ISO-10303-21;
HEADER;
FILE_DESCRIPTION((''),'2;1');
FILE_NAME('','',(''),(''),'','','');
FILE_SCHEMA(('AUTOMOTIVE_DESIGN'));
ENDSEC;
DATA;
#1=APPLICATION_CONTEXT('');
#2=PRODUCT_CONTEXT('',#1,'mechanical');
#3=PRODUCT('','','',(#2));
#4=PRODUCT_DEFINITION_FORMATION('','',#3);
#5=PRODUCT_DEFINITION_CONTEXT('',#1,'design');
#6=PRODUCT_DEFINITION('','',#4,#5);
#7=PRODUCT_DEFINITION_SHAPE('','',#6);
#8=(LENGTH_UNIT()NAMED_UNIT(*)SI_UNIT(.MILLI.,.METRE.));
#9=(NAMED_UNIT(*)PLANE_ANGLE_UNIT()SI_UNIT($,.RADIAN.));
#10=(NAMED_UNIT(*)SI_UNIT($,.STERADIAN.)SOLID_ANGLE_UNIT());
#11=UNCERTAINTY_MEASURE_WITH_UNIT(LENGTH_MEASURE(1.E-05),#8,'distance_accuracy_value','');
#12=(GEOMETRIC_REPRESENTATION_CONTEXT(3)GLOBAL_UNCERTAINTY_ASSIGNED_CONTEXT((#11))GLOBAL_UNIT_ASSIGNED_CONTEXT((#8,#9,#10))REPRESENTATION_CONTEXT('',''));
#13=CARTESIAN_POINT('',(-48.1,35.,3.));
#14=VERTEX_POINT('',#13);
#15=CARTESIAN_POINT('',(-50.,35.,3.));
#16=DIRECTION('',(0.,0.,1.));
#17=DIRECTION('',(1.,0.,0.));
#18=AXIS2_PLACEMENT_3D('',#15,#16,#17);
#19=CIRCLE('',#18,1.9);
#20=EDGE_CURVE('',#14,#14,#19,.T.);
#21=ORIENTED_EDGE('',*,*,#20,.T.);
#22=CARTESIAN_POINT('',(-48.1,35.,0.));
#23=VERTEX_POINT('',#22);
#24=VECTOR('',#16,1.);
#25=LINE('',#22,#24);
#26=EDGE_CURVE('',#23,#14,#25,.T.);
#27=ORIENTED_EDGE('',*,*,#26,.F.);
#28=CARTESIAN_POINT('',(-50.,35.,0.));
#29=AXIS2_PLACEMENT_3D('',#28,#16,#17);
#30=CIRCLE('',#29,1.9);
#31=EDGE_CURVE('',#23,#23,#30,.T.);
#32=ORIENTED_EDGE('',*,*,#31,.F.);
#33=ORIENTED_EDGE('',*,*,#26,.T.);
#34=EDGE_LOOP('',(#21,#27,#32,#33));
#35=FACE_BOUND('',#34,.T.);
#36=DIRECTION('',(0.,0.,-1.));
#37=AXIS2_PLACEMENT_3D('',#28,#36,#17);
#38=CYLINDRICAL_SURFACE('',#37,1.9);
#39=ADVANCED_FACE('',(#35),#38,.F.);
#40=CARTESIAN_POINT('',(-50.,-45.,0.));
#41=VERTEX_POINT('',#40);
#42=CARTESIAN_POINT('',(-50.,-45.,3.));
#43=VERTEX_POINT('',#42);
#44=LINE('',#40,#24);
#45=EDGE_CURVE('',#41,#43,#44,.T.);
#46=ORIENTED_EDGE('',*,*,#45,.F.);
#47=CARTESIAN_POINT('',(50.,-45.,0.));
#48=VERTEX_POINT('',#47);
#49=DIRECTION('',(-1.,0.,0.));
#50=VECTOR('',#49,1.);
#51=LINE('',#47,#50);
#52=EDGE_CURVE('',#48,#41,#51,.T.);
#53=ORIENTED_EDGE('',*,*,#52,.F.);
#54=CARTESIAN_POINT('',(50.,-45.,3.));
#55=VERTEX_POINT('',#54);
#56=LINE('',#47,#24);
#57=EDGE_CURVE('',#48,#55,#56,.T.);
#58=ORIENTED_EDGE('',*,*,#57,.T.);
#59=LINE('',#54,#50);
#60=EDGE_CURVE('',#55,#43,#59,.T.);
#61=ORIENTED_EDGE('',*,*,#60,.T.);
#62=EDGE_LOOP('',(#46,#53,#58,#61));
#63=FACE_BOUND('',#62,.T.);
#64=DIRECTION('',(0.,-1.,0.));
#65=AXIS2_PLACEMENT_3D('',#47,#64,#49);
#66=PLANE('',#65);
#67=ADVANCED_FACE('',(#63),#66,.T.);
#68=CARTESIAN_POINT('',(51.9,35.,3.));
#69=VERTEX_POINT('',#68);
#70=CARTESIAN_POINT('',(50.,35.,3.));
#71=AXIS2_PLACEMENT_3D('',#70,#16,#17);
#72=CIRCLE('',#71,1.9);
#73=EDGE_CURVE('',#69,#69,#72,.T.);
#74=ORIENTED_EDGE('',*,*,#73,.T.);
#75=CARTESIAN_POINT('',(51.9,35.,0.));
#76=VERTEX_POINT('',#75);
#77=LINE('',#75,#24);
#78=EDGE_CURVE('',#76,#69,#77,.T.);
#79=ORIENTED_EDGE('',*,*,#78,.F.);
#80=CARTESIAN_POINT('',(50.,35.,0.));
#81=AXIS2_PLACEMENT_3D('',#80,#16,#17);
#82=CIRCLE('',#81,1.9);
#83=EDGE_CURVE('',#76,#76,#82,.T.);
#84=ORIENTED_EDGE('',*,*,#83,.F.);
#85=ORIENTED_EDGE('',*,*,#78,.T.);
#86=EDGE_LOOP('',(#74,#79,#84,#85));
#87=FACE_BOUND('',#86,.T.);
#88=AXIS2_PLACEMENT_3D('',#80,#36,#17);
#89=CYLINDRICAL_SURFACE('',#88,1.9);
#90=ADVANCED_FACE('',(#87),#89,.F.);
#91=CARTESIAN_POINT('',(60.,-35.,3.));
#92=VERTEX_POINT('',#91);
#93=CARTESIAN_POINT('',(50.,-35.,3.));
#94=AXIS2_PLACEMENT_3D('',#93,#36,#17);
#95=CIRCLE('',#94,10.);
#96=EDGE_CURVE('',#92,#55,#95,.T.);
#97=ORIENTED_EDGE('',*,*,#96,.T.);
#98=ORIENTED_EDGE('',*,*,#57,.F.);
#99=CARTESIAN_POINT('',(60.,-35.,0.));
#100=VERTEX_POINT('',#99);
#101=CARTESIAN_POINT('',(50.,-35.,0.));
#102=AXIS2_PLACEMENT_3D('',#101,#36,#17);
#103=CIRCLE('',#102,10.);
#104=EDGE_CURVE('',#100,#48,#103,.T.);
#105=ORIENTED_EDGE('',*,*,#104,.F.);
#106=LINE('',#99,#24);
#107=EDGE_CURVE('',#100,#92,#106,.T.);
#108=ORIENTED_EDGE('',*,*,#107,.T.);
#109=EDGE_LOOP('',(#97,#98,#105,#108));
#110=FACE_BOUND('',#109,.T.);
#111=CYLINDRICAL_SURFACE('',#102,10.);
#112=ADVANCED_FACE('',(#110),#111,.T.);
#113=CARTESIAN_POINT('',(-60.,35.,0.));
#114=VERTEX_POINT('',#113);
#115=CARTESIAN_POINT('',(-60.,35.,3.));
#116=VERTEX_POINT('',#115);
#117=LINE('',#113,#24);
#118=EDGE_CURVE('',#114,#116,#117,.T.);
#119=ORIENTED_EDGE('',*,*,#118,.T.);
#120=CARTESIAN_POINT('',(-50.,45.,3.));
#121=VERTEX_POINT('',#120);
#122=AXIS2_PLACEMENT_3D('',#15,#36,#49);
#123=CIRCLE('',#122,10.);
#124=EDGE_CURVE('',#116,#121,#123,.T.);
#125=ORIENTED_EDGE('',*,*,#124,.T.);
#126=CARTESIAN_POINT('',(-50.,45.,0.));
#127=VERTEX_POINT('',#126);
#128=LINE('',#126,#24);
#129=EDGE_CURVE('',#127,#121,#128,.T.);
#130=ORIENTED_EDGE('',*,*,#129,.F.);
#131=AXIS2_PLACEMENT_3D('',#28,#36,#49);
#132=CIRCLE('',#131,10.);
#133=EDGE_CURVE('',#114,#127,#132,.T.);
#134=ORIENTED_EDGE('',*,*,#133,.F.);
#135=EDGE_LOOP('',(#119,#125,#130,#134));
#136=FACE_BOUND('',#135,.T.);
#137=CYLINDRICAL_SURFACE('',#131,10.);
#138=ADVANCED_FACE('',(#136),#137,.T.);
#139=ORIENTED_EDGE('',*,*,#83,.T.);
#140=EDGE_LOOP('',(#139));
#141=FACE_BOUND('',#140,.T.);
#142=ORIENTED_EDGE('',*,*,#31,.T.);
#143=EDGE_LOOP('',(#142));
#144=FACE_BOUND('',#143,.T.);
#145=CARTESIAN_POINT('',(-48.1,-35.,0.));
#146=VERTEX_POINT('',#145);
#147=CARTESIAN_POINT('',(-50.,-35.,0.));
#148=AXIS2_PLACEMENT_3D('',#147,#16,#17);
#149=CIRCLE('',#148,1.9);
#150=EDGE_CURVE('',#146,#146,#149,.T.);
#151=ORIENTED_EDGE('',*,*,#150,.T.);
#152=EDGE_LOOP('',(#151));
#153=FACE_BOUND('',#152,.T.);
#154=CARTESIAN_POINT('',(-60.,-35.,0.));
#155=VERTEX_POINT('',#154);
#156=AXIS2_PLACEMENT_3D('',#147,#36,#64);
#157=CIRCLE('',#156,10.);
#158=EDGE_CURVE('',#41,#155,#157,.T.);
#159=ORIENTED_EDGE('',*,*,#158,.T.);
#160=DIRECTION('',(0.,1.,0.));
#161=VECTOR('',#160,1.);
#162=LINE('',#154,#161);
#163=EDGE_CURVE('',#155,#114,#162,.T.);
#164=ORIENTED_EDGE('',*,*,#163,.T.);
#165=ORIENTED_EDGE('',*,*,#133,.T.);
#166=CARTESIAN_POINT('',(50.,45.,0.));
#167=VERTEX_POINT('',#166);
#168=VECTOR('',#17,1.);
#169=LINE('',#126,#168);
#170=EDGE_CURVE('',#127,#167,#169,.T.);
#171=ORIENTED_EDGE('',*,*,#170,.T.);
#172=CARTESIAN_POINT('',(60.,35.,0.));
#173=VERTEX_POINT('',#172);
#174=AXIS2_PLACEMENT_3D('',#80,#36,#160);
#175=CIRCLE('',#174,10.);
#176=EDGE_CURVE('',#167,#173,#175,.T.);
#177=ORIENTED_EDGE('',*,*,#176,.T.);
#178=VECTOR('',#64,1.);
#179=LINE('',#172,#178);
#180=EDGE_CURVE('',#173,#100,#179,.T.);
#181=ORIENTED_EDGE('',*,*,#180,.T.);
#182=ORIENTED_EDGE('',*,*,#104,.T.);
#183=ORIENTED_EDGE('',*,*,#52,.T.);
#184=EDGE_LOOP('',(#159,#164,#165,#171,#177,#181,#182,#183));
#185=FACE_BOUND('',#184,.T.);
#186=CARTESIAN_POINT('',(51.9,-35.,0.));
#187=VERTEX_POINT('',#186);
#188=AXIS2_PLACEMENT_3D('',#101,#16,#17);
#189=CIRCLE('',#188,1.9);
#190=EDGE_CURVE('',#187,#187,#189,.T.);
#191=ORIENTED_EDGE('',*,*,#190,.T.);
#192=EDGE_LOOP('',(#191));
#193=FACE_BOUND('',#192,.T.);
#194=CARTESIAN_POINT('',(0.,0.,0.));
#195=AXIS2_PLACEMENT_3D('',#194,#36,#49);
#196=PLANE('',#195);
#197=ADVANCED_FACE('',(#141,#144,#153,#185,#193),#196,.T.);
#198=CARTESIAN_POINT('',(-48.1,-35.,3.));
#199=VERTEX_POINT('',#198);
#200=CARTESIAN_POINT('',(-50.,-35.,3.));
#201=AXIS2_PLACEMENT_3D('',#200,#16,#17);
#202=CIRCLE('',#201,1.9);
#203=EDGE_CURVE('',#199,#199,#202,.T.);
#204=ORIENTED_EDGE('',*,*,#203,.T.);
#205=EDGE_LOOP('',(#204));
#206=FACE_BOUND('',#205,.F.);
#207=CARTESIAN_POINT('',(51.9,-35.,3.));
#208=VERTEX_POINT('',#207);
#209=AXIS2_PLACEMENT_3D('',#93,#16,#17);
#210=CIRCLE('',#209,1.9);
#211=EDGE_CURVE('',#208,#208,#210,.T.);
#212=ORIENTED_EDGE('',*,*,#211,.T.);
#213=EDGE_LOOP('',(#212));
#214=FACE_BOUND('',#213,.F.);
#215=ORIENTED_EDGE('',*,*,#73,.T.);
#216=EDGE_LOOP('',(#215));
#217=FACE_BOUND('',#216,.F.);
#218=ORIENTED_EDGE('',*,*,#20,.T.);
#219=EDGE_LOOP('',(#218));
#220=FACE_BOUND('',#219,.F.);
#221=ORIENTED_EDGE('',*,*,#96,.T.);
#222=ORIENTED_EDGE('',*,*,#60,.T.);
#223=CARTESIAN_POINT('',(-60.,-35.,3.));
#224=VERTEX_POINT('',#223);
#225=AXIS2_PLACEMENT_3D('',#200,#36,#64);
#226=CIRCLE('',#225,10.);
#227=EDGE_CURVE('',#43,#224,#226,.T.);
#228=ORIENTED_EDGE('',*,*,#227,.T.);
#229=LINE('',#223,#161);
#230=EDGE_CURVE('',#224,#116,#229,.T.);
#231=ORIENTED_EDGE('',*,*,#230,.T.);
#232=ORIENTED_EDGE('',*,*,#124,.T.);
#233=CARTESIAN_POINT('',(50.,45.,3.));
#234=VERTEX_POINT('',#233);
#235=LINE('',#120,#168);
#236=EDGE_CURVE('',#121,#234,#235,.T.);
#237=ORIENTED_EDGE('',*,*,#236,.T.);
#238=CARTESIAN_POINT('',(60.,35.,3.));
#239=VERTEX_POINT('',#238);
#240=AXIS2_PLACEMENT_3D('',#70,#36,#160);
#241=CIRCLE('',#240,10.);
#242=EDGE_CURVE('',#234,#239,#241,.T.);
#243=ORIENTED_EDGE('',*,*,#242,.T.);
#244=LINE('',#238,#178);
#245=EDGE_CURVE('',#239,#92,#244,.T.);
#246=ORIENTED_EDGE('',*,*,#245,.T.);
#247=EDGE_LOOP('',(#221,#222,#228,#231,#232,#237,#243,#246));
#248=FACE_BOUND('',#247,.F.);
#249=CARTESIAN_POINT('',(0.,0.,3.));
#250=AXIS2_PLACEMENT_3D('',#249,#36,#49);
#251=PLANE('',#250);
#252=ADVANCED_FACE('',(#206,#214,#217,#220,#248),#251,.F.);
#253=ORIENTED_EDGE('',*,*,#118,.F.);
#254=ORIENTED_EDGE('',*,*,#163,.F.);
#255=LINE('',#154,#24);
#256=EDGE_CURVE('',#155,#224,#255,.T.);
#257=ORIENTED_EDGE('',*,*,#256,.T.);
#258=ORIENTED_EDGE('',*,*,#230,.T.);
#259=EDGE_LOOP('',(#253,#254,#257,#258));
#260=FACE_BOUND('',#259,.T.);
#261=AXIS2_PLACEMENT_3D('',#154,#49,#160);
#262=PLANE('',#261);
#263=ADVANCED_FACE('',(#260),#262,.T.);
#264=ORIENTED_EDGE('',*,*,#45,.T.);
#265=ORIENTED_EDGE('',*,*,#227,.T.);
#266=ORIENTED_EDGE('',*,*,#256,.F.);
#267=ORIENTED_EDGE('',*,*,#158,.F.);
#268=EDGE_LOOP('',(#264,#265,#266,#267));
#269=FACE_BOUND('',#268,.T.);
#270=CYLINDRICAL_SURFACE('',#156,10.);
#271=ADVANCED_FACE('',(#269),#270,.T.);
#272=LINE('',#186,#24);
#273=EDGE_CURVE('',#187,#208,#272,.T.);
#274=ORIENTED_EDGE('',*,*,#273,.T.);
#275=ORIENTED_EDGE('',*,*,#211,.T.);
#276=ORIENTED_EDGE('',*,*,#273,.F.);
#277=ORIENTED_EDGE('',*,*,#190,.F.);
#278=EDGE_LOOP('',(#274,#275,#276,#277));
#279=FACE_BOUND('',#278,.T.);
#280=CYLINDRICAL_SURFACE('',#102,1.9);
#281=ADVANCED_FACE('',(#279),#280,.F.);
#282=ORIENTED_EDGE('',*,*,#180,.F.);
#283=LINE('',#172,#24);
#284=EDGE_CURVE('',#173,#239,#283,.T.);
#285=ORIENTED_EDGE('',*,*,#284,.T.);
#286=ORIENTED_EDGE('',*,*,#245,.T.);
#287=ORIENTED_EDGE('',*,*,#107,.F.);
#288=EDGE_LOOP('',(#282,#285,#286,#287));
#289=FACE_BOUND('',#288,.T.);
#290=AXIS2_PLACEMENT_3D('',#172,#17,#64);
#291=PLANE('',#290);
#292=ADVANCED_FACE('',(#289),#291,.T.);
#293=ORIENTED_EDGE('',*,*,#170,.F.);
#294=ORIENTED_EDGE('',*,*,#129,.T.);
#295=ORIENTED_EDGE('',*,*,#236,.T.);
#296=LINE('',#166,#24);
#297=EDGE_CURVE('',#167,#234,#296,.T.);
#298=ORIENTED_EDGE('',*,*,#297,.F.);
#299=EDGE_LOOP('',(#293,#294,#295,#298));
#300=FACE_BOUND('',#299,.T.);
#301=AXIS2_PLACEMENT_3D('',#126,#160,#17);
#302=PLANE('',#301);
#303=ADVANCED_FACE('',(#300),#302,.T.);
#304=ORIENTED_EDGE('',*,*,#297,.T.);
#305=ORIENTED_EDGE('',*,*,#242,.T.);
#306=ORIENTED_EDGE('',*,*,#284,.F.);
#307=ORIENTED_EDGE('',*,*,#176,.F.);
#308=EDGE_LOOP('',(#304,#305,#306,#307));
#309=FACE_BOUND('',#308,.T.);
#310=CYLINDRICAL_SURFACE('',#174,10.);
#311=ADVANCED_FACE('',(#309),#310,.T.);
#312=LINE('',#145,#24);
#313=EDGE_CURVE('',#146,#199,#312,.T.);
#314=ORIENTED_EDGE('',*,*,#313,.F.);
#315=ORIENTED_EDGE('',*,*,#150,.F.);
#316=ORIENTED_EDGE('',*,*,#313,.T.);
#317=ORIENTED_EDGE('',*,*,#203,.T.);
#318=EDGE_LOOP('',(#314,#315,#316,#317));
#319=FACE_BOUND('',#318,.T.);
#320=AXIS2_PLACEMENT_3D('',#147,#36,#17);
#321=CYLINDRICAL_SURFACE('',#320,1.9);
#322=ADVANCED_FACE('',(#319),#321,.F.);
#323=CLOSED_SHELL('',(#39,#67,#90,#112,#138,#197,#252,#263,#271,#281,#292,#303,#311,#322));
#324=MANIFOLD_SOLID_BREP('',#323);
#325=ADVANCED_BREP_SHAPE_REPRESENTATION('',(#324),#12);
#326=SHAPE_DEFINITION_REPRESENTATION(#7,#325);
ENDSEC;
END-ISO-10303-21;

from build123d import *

# Parameters (mm, degrees)
SKETCH3_R           = 1.9
BOSS_EXTRUDE2_DEPTH = 3


with BuildPart() as part:
    # Sketch3 → Boss-Extrude2 (new body)
    with BuildSketch(Plane.XY):
        with BuildLine():
            Line((-50, 45), (50, 45))
            ThreePointArc((50, 45), (57.071067812, 42.071067812), (60, 35))
            Line((60, 35), (60, -35))
            ThreePointArc((60, -35), (57.071067812, -42.071067812), (50, -45))
            Line((50, -45), (-50, -45))
            ThreePointArc((-50, -45), (-57.071067812, -42.071067812), (-60, -35))
            Line((-60, -35), (-60, 35))
            ThreePointArc((-60, 35), (-57.071067812, 42.071067812), (-50, 45))
        make_face()
        with Locations((-50, 35)):
            Circle(SKETCH3_R, mode=Mode.SUBTRACT)
        with Locations((50, 35)):
            Circle(SKETCH3_R, mode=Mode.SUBTRACT)
        with Locations((50, -35)):
            Circle(SKETCH3_R, mode=Mode.SUBTRACT)
        with Locations((-50, -35)):
            Circle(SKETCH3_R, mode=Mode.SUBTRACT)
    extrude(amount=BOSS_EXTRUDE2_DEPTH)


solid = part.part
